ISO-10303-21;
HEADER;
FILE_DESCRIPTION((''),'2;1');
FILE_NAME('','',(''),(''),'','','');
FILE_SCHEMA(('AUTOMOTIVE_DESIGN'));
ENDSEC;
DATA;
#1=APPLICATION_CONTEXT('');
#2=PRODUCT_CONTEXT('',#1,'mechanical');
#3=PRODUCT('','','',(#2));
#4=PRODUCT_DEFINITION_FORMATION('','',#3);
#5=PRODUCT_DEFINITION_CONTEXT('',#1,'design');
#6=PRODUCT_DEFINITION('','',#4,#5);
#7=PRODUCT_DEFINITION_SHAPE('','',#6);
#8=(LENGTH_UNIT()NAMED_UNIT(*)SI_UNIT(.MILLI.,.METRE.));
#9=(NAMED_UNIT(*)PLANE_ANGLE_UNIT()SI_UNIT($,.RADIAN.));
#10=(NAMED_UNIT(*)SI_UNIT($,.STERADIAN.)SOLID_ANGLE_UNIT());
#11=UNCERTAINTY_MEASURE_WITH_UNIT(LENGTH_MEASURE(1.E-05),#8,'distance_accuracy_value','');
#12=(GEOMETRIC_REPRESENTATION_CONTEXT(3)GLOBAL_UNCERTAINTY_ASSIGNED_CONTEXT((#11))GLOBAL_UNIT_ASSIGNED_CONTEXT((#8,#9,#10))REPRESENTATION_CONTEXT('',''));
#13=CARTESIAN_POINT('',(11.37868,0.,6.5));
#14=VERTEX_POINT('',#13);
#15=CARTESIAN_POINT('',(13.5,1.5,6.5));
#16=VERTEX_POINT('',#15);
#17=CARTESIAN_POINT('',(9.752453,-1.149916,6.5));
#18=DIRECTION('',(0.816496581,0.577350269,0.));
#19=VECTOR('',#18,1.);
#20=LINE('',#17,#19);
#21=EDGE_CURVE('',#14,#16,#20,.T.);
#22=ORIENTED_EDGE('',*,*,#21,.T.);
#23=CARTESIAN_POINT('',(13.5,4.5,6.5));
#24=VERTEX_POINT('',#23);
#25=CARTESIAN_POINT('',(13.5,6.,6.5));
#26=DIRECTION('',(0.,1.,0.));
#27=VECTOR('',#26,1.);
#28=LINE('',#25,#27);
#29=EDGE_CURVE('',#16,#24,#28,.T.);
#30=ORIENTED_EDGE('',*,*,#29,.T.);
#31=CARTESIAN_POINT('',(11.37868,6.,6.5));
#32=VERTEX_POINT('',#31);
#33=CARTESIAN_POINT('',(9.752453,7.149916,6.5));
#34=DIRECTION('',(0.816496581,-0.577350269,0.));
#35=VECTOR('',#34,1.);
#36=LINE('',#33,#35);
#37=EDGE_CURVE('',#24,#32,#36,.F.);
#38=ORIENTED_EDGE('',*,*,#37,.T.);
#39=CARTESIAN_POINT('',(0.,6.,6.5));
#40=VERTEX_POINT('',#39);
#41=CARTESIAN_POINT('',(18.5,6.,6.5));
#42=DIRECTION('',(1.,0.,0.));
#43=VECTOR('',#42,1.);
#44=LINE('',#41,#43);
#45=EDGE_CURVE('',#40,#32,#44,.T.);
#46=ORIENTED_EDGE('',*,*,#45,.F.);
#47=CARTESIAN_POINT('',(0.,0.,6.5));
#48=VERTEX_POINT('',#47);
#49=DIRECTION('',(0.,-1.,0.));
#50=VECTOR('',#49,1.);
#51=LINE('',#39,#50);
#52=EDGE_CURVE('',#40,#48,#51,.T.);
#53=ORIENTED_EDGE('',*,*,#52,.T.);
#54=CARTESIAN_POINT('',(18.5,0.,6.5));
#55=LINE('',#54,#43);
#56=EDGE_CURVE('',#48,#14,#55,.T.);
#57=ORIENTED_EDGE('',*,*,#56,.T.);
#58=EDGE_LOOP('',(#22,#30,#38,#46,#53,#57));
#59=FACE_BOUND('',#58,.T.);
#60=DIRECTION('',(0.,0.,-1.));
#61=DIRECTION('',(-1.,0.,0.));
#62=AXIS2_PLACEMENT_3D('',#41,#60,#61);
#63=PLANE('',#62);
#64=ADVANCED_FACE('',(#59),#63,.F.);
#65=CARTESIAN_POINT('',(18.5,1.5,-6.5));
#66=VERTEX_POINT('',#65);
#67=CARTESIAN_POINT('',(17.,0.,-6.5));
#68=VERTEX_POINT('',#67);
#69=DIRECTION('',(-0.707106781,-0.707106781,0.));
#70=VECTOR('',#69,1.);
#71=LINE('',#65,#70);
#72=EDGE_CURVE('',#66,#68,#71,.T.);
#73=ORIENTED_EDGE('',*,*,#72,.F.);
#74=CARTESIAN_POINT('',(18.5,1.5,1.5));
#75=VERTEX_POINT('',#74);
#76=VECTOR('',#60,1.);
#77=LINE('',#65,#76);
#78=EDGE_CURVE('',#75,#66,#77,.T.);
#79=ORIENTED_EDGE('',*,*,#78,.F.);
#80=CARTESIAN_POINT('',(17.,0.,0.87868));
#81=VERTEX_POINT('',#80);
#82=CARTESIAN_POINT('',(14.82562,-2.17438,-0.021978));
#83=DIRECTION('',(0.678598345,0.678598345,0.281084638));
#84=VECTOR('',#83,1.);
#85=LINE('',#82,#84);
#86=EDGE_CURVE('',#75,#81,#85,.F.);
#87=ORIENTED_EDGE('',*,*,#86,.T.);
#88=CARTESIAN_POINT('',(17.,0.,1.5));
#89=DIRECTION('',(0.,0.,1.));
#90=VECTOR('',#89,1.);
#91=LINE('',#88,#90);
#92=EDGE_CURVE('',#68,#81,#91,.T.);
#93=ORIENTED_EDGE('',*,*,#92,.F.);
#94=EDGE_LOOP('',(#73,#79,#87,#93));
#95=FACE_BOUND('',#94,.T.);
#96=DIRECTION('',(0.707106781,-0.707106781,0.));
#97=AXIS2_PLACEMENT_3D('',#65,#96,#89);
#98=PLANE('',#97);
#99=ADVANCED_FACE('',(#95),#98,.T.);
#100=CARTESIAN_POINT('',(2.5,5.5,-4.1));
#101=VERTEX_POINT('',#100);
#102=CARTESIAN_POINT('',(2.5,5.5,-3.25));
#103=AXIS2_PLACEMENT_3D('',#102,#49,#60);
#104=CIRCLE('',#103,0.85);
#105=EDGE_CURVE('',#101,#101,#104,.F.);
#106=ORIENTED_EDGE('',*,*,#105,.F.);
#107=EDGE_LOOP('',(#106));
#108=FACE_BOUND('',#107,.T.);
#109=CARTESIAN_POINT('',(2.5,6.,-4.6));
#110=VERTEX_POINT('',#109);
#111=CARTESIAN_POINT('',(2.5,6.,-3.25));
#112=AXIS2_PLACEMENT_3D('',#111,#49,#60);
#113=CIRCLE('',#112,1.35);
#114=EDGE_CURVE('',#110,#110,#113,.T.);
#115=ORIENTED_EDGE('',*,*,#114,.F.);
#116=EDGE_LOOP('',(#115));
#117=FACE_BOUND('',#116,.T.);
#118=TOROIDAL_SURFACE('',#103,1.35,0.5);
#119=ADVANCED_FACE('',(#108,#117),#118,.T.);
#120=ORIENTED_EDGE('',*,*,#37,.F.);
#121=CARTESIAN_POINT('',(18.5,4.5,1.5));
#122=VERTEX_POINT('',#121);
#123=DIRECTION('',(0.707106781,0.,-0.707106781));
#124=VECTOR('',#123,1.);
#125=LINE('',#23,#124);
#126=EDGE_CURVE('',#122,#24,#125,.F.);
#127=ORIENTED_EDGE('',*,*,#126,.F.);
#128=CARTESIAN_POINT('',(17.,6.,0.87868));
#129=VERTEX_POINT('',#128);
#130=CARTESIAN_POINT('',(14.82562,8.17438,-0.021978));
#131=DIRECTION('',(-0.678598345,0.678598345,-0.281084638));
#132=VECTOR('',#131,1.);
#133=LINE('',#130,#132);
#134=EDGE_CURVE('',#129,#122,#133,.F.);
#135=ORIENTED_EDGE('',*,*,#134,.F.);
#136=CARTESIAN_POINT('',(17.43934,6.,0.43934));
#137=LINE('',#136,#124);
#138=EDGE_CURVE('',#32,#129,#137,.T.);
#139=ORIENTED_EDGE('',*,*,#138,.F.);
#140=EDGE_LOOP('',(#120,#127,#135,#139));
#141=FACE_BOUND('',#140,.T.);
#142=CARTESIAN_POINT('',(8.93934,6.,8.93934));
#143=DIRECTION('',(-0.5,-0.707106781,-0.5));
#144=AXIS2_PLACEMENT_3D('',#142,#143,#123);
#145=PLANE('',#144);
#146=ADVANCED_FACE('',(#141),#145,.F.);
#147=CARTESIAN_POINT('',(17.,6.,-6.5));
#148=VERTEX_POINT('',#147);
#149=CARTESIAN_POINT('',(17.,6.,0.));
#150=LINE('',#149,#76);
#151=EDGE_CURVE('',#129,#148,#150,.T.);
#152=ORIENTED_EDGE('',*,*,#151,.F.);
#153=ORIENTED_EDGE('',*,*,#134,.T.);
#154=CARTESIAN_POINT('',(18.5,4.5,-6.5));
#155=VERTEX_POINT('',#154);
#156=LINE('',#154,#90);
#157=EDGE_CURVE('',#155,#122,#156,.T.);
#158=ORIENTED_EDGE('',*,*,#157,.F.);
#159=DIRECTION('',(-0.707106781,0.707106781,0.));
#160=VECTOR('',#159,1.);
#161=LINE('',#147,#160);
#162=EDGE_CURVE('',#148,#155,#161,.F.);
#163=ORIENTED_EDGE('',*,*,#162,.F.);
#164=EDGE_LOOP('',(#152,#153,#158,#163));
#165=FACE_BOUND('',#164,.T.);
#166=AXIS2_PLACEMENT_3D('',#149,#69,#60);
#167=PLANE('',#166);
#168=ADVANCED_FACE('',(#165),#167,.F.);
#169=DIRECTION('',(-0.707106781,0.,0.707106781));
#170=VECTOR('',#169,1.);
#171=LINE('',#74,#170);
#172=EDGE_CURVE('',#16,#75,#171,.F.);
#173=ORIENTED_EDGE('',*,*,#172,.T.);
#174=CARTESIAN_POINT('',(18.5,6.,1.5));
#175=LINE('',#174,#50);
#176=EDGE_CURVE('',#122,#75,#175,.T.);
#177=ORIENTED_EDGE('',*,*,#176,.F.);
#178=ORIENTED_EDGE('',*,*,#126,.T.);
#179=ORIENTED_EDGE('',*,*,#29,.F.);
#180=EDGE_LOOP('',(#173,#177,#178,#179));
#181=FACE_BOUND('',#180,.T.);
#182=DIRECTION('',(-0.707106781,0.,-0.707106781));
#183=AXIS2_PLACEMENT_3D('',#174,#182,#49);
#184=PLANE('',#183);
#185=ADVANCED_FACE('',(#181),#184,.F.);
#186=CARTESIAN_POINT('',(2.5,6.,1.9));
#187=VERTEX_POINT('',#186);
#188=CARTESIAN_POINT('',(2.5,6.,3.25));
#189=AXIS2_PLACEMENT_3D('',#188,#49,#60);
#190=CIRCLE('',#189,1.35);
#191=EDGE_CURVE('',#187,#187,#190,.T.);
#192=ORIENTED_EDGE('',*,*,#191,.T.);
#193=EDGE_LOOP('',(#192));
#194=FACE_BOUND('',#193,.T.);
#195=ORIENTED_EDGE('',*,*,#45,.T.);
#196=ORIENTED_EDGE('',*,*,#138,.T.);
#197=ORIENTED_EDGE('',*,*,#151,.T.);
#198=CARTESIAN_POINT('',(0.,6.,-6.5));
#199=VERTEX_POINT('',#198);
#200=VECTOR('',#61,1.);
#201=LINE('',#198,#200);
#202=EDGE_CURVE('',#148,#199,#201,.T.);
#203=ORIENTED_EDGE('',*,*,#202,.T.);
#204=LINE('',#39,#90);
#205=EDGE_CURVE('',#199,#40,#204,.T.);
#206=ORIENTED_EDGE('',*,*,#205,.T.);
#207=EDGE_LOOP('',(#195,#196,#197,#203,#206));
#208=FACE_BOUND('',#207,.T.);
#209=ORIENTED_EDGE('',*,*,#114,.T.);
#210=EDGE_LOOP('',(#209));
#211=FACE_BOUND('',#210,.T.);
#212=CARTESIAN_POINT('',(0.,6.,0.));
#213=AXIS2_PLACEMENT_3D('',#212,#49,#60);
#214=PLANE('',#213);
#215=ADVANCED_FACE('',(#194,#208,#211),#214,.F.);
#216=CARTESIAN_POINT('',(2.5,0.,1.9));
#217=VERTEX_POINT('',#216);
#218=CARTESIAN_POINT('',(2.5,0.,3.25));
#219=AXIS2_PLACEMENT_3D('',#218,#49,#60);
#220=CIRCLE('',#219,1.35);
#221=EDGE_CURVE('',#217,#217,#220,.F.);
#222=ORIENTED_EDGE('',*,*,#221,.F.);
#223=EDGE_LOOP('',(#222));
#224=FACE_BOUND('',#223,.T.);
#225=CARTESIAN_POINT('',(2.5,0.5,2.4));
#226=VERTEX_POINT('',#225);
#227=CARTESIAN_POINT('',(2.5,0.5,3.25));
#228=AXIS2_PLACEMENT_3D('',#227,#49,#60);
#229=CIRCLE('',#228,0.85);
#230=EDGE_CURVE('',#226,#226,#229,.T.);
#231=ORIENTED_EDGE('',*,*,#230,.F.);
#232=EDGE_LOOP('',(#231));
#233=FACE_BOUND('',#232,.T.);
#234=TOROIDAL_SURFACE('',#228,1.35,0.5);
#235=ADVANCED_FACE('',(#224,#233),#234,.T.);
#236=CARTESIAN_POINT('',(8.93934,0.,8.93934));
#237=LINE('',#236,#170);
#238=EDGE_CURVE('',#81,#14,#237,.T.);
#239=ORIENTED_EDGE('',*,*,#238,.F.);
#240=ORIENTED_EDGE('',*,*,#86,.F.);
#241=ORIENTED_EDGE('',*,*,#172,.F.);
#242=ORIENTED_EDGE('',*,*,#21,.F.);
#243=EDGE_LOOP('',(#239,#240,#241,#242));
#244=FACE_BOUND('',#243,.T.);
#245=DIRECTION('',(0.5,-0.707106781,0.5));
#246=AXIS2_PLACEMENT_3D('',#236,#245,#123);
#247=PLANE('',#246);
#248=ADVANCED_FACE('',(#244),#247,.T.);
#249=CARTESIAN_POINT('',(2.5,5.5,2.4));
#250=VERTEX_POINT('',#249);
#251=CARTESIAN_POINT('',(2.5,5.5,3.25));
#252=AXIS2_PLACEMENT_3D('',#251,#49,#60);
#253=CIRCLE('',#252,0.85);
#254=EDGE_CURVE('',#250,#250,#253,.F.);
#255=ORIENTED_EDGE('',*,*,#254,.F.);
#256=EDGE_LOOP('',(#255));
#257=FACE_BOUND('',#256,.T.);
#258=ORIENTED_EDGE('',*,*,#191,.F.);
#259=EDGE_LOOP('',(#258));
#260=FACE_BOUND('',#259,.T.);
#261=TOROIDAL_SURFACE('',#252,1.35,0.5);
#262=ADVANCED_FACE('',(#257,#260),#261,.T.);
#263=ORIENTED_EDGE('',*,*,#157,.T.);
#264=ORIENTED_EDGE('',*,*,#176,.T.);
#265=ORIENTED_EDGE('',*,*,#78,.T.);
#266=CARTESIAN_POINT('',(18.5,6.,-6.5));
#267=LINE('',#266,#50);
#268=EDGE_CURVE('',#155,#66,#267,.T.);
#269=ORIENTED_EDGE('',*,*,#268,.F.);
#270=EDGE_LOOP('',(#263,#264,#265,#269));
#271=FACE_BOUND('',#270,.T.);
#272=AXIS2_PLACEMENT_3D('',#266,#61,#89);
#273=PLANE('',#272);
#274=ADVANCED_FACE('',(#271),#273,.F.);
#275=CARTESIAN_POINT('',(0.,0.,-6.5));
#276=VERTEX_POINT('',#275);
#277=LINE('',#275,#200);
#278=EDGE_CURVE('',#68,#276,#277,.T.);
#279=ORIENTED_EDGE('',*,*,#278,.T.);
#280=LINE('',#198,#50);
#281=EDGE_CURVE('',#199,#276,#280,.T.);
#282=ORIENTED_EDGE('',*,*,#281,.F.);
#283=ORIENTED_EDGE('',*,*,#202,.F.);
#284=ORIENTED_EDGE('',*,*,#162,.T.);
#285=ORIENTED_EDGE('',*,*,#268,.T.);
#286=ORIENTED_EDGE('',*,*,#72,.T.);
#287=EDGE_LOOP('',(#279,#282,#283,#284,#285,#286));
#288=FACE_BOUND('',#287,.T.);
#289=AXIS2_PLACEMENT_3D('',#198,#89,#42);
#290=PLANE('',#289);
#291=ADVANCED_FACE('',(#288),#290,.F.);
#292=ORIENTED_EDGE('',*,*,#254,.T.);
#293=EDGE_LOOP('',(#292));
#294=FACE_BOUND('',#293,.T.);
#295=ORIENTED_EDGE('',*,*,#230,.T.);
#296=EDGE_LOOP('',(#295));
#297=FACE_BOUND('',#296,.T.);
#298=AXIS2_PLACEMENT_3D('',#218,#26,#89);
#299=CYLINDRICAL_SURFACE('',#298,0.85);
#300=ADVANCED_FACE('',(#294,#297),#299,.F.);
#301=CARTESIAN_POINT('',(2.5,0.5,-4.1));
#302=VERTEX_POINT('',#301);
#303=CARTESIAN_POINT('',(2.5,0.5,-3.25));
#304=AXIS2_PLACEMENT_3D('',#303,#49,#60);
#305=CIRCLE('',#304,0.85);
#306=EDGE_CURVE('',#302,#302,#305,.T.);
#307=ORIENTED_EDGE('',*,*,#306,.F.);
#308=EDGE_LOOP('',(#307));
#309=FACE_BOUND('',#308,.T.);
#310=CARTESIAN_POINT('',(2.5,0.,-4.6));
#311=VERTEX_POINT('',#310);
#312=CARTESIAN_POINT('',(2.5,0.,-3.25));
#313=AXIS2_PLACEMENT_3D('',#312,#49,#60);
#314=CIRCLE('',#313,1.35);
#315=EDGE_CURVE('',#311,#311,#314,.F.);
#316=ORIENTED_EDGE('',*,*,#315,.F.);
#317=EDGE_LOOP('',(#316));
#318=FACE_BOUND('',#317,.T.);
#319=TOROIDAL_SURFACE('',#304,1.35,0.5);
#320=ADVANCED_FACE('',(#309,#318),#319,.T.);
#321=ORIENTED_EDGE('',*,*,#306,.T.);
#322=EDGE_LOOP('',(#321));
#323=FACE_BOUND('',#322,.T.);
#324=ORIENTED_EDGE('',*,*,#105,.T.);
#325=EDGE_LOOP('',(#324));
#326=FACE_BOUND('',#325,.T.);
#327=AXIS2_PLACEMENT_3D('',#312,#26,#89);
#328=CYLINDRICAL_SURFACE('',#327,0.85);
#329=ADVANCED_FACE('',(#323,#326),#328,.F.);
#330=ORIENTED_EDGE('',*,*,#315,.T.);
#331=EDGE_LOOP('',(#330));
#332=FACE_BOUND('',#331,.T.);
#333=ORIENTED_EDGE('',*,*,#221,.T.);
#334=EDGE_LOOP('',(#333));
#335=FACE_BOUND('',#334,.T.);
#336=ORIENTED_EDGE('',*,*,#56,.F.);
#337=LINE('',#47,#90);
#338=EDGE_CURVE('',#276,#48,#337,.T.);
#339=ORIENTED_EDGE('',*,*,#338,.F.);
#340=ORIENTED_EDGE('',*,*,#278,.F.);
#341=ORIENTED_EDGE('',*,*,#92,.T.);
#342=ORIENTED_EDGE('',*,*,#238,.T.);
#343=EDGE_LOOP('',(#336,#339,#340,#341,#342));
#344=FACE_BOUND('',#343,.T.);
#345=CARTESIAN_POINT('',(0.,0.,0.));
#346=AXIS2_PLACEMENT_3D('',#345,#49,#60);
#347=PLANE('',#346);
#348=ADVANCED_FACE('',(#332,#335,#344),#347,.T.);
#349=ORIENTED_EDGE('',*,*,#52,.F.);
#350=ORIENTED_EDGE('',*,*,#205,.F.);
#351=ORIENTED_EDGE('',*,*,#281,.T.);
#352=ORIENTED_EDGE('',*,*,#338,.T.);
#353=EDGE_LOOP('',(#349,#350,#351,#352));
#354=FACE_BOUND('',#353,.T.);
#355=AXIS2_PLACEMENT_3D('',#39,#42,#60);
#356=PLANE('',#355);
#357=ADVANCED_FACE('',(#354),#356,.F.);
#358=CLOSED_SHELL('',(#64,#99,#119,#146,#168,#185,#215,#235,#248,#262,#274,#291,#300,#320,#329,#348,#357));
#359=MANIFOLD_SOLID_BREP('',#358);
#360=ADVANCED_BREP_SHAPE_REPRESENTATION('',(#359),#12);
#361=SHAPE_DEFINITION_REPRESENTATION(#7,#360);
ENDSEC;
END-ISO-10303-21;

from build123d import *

# Parameters (mm, degrees)
SKETCH1_W               = 18.5
SKETCH1_H               = 13
BOSS_EXTRUDE1_DEPTH     = 6
CUT_EXTRUDE1_DEPTH      = 21.506096654
CUT_EXTRUDE1_DEPTH_BACK = 21.506096654
SKETCH2_R               = 0.85
FILLET1_R               = 0.5
CHAMFER1_SIZE           = 5
CHAMFER2_SIZE           = 1.5


with BuildPart() as part:
    # Sketch1 → Boss-Extrude1 (new body)
    with BuildSketch(Plane(origin=(0, 0, 0), x_dir=(1, 0, 0), z_dir=(0, 1, 0))):
        with Locations((9.25, 0)):
            Rectangle(SKETCH1_W, SKETCH1_H)
    extrude(amount=BOSS_EXTRUDE1_DEPTH)

    # Sketch2 → Cut-Extrude1 (cut, two sides: drawn at the far end of the back side and taken through both)
    with BuildSketch(Plane(origin=(0, 6, 0), x_dir=(1, 0, 0), z_dir=(0, 1, 0)).offset(-CUT_EXTRUDE1_DEPTH_BACK)):
        with Locations(Location((2.5, 3.25, 0), (0, 0, 270))):
            Circle(SKETCH2_R)
        with Locations(Location((2.5, -3.25, 0), (0, 0, 270))):
            Circle(SKETCH2_R)
    extrude(amount=CUT_EXTRUDE1_DEPTH + CUT_EXTRUDE1_DEPTH_BACK, mode=Mode.SUBTRACT)

    # Fillet1
    fillet1_edges = [part.edges().sort_by_distance(p)[0] for p in [
        (2.5, 0, -4.1),
        (2.5, 6, -4.1),
        (2.5, 0, 2.4),
        (2.5, 6, 2.4),
    ]]
    fillet(fillet1_edges, radius=FILLET1_R)

    # Chamfer1
    chamfer1_edges = [part.edges().sort_by_distance(p)[0] for p in [
        (18.5, 3, 6.5),
    ]]
    chamfer(chamfer1_edges, length=CHAMFER1_SIZE)

    # Chamfer2
    chamfer2_edges = [part.edges().sort_by_distance(p)[0] for p in [
        (18.5, 0, -2.5),
        (18.5, 6, -2.5),
        (16, 0, 4),
        (16, 6, 4),
    ]]
    chamfer(chamfer2_edges, length=CHAMFER2_SIZE)


solid = part.part
